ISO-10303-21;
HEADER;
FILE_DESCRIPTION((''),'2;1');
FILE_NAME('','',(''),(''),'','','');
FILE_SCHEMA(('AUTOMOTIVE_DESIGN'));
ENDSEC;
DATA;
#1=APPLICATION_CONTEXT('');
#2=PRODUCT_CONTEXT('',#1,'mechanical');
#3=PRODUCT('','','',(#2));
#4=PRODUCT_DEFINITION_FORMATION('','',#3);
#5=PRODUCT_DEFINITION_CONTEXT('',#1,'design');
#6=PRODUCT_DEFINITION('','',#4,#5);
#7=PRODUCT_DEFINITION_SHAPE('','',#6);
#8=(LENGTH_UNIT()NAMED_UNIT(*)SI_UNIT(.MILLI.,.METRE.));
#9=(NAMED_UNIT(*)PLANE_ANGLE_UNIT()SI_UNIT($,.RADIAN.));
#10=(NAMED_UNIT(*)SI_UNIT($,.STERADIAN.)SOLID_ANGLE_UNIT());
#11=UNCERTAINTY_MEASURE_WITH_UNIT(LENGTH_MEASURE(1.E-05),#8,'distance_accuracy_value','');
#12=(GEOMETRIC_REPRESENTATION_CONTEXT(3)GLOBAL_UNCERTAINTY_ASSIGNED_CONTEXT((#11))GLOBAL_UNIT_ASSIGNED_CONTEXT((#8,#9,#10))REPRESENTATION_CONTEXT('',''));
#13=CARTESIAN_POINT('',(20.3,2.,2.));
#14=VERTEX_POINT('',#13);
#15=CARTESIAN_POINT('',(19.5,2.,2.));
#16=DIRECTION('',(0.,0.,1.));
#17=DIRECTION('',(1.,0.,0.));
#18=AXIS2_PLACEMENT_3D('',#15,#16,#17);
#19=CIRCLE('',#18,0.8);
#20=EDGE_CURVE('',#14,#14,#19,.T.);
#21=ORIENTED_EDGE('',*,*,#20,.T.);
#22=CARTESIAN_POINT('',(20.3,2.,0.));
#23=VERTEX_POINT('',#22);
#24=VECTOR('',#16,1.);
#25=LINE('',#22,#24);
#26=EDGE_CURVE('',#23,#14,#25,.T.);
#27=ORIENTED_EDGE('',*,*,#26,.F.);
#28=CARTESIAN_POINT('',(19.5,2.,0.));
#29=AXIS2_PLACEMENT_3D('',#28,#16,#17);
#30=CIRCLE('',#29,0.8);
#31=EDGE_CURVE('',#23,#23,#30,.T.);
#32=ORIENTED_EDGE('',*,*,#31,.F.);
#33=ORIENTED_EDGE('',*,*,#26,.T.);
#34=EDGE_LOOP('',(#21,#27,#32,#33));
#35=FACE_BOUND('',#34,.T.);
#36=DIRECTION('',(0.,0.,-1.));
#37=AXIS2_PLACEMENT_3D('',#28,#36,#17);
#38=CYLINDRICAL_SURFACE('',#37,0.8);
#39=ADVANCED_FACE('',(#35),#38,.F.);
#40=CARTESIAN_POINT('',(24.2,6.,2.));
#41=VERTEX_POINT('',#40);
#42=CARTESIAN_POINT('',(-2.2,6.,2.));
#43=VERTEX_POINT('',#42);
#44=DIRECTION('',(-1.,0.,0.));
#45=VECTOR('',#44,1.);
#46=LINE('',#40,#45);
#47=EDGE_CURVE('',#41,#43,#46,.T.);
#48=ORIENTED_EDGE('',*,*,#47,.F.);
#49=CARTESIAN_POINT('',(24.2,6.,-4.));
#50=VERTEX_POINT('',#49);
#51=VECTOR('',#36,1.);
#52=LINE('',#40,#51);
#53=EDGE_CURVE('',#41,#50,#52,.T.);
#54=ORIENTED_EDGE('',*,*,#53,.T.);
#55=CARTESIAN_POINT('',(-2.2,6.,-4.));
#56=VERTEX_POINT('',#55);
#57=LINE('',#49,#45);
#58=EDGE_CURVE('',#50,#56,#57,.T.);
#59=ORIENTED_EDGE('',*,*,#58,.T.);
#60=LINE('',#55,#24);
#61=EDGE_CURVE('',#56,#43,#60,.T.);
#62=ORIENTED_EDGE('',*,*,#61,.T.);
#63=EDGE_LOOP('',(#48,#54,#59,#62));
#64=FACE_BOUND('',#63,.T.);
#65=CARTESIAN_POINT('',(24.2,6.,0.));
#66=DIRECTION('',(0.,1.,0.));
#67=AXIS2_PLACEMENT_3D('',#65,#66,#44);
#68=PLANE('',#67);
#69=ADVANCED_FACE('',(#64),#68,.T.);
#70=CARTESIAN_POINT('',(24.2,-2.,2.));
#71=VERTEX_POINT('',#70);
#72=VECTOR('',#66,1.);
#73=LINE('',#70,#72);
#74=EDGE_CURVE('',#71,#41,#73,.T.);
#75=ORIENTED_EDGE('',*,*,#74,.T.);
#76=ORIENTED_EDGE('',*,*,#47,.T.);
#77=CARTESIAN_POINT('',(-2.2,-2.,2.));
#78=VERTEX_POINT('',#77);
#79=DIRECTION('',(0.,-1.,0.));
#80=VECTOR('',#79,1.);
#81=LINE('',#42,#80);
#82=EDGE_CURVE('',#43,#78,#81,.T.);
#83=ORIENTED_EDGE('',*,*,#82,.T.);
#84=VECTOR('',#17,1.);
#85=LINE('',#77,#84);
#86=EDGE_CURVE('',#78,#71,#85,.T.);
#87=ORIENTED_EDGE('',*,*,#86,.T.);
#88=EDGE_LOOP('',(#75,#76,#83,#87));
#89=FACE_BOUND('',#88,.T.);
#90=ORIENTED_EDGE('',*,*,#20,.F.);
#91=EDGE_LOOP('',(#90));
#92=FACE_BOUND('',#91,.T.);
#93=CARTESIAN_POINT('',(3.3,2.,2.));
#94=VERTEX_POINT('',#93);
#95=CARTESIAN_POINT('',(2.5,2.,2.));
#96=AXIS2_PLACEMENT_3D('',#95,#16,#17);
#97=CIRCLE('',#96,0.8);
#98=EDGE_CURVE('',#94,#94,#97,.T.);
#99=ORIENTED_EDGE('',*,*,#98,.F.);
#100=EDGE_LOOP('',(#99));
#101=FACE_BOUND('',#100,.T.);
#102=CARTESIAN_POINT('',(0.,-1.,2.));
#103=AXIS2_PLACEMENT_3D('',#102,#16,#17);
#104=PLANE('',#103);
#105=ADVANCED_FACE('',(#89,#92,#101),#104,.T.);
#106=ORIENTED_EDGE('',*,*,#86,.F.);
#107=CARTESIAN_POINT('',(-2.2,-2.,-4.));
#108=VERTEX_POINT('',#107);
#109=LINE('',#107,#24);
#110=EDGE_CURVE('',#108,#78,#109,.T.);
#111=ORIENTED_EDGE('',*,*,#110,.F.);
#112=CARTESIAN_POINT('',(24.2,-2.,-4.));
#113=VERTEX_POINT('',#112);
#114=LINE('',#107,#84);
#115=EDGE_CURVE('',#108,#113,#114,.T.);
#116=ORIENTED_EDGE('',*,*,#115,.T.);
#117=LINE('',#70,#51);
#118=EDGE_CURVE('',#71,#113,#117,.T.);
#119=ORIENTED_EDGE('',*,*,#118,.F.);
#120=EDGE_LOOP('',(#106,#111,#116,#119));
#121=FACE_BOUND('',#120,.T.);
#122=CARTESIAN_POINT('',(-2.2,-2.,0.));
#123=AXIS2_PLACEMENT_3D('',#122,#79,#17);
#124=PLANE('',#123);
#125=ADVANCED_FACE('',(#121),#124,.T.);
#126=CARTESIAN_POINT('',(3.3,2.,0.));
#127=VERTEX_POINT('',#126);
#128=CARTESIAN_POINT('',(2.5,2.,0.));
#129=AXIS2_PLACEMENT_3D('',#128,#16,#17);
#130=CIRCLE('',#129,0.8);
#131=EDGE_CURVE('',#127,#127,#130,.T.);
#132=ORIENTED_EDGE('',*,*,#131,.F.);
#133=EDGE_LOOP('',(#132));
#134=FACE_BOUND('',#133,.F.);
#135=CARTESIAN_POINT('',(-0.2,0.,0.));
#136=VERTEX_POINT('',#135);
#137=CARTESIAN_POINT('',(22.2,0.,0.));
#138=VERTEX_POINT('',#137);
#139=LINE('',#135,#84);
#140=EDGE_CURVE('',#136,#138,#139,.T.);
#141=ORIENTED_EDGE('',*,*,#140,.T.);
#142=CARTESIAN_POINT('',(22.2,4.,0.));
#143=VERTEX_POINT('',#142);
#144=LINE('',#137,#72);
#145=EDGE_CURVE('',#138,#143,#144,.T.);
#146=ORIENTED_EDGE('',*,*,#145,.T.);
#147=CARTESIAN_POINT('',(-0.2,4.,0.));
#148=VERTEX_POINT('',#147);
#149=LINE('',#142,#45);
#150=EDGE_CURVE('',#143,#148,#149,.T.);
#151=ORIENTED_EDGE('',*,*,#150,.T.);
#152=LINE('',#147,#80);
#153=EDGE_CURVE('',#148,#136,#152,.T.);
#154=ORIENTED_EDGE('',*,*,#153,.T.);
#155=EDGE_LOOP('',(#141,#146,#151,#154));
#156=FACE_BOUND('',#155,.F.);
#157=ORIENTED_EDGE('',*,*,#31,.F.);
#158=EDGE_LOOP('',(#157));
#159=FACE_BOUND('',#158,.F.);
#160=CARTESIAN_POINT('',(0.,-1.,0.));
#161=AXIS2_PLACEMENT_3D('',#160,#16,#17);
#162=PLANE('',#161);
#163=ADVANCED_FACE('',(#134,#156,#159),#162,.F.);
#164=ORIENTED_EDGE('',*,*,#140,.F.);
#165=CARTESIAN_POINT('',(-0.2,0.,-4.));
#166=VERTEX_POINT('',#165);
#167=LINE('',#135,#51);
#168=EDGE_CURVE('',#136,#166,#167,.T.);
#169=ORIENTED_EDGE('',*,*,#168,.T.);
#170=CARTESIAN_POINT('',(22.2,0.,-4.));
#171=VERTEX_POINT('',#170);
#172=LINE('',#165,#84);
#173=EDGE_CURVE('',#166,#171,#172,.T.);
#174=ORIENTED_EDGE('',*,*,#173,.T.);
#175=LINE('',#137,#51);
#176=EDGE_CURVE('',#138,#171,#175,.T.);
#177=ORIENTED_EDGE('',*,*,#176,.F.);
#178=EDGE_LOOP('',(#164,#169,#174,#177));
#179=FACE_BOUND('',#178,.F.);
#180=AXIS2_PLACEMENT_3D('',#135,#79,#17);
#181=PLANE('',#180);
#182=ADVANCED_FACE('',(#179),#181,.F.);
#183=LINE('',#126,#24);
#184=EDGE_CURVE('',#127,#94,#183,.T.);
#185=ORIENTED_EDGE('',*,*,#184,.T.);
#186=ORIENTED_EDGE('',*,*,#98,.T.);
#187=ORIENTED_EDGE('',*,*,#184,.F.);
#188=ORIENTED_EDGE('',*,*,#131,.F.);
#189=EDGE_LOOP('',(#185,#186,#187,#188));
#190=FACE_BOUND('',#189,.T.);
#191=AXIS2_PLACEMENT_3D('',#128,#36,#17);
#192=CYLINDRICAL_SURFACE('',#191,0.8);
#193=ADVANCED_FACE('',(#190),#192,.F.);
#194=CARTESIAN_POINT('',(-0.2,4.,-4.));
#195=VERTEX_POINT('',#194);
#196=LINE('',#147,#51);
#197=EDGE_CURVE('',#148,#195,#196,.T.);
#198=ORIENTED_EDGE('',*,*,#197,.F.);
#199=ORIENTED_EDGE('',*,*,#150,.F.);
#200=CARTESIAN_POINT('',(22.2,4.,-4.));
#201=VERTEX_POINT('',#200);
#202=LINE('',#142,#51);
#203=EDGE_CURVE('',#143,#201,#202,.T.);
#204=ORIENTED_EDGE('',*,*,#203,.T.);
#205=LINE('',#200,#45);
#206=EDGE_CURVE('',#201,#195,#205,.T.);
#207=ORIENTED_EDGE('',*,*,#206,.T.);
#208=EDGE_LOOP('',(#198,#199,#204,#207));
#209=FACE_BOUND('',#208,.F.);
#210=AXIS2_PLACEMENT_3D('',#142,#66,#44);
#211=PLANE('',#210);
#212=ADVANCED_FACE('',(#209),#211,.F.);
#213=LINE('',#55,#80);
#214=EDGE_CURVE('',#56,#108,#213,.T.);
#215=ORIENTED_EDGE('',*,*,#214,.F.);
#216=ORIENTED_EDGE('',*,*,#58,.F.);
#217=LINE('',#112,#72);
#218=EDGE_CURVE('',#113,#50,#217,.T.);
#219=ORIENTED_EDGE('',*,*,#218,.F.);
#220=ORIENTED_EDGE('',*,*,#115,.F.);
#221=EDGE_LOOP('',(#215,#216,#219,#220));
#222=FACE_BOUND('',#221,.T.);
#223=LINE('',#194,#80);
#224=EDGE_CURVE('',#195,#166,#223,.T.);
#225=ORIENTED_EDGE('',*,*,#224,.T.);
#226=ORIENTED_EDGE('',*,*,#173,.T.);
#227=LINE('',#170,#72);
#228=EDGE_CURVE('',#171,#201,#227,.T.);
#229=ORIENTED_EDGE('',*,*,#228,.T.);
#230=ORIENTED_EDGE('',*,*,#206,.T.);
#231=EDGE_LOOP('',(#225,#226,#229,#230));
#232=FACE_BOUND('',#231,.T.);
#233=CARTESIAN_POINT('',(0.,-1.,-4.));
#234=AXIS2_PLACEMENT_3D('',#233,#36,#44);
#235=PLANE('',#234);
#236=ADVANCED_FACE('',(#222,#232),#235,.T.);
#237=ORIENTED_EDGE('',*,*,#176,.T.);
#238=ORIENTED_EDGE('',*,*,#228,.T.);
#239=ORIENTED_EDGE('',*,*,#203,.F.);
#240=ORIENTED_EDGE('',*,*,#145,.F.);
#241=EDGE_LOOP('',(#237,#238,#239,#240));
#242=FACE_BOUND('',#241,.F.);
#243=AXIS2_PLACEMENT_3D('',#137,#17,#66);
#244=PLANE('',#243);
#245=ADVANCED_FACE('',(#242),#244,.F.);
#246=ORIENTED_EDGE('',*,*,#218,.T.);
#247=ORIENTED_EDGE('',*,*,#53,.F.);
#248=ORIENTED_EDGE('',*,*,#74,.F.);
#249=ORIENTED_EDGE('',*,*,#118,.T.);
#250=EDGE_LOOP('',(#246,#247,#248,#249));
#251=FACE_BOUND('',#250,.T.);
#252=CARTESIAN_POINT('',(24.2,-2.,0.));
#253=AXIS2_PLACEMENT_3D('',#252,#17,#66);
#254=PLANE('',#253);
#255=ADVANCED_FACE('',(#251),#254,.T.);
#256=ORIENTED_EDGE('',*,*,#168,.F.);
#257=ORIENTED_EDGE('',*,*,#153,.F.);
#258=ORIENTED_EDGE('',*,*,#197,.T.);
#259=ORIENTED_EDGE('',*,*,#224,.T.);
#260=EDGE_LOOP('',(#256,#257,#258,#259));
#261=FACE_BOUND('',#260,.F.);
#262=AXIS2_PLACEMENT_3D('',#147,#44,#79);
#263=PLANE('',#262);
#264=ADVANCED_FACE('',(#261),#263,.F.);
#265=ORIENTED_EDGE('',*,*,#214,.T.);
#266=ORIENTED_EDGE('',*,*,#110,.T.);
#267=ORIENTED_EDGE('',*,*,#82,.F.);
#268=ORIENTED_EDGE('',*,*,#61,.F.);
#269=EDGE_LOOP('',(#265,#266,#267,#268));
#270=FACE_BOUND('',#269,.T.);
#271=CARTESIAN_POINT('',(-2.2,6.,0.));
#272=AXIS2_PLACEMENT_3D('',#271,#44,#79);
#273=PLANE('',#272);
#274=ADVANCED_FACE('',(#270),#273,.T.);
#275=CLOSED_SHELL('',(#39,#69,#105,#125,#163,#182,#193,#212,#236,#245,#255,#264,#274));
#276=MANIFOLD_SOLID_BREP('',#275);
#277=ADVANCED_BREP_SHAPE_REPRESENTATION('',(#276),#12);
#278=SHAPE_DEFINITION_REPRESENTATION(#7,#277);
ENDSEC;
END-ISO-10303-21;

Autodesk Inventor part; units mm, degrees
ref_plane "YZ Plane" through (0, 0, 0) normal (1, 0, 0) x (0, 1, 0)
ref_plane "XZ Plane" through (0, 0, 0) normal (0, 1, 0) x (-1, 0, 0)
ref_plane "作業平面1" through (0, -1, 0) normal (0, 0, 1) x (1, 0, 0)
sketch "スケッチ1" plane through (0, -1, 0) normal (0, 0, 1) x (1, 0, 0)
  circle A0 centre (2.5, 3) radius 0.8 projected
  circle A1 centre (19.5, 3) radius 0.8 projected
  line L0 (0, 1) -> (22, 1) projected
  line L1 (22, 1) -> (22, 5) projected
  line L2 (0, 5) -> (22, 5) projected
  line L3 (0, 1) -> (0, 5) projected
  line L4 (24.2, 7) -> (-2.2, 7)
  line L5 (-2.2, 7) -> (-2.2, -1)
  line L6 (-2.2, -1) -> (24.2, -1)
  line L7 (24.2, -1) -> (24.2, 7)
  line L8 (24.2, 7) -> (-2.2, -1) construction
  line L9 (-2.2, 7) -> (24.2, -1) construction
  line L10 (22.2, 5) -> (-0.2, 5)
  line L11 (-0.2, 5) -> (-0.2, 1)
  line L12 (-0.2, 1) -> (22.2, 1)
  line L13 (22.2, 1) -> (22.2, 5)
  line L14 (22.2, 5) -> (-0.2, 1) construction
  line L15 (-0.2, 5) -> (22.2, 1) construction
  line L16 (11, 1) -> (11, 5) construction
  point P0 (11, 3)
  dimension "d0" = 0.2
  dimension "d1" = 0
  dimension "d2" = 2
  dimension "d3" = 2
extrude "押し出し1" add sketch "スケッチ1" along normal blind 2 contours L3 L2 L1 L0 | L12 L11 L10 L3 | L1 L10 L13 L12 | L7 L6 L5 L4
sketch "スケッチ3" plane through (0, -1, 0) normal (0, 0, -1) x (-1, 0, 0)
  line L0 (-22.2, 5) -> (0.2, 5) projected
  line L1 (-22.2, 1) -> (-22.2, 5) projected
  line L2 (0.2, 1) -> (-22.2, 1) projected
  line L3 (0.2, 5) -> (0.2, 1) projected
  circle A0 centre (-2.5, 3) radius 0.8 projected
  circle A1 centre (-19.5, 3) radius 0.8 projected
  line L4 (-24.2, 7) -> (2.2, 7) projected
  line L5 (-24.2, -1) -> (-24.2, 7) projected
  line L6 (2.2, -1) -> (-24.2, -1) projected
  line L7 (2.2, 7) -> (2.2, -1) projected
  point P0 (0, 1)
extrude "押し出し2" add sketch "スケッチ3" along normal blind 4 contours L4 L7 L6 L5
equation "\"d3\" = d2"
properties part number "Tap_Zigu"
